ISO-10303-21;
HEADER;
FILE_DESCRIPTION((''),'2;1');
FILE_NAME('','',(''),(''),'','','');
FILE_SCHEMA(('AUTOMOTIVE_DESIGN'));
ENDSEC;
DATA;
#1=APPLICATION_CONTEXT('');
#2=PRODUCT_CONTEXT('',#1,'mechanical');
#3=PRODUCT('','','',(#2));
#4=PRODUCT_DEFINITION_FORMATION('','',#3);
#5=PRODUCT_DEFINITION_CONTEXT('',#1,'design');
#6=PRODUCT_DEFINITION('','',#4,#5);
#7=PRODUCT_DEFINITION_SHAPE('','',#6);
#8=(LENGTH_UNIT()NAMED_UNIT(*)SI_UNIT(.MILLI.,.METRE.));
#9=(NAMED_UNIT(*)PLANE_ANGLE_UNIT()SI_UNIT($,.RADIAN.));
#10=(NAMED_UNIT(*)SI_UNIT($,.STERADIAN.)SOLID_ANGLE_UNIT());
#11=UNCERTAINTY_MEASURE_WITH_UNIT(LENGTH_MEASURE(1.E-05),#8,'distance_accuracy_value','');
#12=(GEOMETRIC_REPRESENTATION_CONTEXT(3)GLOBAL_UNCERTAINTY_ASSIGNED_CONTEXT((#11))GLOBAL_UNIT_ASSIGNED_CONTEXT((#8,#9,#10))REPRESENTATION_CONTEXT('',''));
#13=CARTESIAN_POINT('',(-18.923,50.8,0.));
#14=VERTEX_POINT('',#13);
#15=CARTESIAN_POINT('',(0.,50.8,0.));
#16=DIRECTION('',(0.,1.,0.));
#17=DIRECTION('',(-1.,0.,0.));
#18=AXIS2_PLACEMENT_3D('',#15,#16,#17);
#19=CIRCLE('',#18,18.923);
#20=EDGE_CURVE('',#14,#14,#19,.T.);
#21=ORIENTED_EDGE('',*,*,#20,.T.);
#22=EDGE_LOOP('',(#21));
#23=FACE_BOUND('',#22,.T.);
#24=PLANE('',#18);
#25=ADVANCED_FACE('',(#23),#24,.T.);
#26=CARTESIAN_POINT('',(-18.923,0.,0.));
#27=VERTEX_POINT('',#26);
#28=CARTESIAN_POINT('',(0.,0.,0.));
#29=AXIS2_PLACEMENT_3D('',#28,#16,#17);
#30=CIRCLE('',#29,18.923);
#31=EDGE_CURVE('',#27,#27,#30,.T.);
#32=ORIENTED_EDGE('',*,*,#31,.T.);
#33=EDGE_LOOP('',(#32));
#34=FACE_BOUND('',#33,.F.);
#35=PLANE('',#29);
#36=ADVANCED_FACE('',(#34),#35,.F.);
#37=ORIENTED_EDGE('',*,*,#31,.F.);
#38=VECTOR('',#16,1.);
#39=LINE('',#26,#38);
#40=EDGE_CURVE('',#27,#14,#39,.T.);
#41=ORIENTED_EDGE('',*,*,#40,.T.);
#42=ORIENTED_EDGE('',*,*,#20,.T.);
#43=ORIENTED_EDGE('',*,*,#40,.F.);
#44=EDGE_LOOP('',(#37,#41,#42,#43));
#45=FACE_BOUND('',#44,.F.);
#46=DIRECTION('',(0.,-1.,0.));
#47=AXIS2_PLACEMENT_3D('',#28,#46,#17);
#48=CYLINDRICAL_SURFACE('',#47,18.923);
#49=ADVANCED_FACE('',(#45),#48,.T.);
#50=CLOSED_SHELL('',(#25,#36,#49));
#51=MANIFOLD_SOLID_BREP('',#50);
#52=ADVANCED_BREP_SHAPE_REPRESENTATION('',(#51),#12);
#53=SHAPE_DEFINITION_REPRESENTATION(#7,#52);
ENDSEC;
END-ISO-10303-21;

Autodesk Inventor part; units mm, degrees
ref_plane "YZ Plane" through (0, 0, 0) normal (1, 0, 0) x (0, 1, 0)
ref_plane "XZ Plane" through (0, 0, 0) normal (0, 1, 0) x (-1, 0, 0)
ref_plane "XY Plane" through (0, 0, 0) normal (0, 0, 1) x (1, 0, 0)
sketch "Sketch1" plane through (0, 0, 0) normal (0, 1, 0) x (-1, 0, 0)
  circle A0 centre (0, 0) radius 18.923
  dimension "d0" = 37.846
extrude "Extrusion1" add sketch "Sketch1" along normal blind 50.8
properties part number "mass500"
